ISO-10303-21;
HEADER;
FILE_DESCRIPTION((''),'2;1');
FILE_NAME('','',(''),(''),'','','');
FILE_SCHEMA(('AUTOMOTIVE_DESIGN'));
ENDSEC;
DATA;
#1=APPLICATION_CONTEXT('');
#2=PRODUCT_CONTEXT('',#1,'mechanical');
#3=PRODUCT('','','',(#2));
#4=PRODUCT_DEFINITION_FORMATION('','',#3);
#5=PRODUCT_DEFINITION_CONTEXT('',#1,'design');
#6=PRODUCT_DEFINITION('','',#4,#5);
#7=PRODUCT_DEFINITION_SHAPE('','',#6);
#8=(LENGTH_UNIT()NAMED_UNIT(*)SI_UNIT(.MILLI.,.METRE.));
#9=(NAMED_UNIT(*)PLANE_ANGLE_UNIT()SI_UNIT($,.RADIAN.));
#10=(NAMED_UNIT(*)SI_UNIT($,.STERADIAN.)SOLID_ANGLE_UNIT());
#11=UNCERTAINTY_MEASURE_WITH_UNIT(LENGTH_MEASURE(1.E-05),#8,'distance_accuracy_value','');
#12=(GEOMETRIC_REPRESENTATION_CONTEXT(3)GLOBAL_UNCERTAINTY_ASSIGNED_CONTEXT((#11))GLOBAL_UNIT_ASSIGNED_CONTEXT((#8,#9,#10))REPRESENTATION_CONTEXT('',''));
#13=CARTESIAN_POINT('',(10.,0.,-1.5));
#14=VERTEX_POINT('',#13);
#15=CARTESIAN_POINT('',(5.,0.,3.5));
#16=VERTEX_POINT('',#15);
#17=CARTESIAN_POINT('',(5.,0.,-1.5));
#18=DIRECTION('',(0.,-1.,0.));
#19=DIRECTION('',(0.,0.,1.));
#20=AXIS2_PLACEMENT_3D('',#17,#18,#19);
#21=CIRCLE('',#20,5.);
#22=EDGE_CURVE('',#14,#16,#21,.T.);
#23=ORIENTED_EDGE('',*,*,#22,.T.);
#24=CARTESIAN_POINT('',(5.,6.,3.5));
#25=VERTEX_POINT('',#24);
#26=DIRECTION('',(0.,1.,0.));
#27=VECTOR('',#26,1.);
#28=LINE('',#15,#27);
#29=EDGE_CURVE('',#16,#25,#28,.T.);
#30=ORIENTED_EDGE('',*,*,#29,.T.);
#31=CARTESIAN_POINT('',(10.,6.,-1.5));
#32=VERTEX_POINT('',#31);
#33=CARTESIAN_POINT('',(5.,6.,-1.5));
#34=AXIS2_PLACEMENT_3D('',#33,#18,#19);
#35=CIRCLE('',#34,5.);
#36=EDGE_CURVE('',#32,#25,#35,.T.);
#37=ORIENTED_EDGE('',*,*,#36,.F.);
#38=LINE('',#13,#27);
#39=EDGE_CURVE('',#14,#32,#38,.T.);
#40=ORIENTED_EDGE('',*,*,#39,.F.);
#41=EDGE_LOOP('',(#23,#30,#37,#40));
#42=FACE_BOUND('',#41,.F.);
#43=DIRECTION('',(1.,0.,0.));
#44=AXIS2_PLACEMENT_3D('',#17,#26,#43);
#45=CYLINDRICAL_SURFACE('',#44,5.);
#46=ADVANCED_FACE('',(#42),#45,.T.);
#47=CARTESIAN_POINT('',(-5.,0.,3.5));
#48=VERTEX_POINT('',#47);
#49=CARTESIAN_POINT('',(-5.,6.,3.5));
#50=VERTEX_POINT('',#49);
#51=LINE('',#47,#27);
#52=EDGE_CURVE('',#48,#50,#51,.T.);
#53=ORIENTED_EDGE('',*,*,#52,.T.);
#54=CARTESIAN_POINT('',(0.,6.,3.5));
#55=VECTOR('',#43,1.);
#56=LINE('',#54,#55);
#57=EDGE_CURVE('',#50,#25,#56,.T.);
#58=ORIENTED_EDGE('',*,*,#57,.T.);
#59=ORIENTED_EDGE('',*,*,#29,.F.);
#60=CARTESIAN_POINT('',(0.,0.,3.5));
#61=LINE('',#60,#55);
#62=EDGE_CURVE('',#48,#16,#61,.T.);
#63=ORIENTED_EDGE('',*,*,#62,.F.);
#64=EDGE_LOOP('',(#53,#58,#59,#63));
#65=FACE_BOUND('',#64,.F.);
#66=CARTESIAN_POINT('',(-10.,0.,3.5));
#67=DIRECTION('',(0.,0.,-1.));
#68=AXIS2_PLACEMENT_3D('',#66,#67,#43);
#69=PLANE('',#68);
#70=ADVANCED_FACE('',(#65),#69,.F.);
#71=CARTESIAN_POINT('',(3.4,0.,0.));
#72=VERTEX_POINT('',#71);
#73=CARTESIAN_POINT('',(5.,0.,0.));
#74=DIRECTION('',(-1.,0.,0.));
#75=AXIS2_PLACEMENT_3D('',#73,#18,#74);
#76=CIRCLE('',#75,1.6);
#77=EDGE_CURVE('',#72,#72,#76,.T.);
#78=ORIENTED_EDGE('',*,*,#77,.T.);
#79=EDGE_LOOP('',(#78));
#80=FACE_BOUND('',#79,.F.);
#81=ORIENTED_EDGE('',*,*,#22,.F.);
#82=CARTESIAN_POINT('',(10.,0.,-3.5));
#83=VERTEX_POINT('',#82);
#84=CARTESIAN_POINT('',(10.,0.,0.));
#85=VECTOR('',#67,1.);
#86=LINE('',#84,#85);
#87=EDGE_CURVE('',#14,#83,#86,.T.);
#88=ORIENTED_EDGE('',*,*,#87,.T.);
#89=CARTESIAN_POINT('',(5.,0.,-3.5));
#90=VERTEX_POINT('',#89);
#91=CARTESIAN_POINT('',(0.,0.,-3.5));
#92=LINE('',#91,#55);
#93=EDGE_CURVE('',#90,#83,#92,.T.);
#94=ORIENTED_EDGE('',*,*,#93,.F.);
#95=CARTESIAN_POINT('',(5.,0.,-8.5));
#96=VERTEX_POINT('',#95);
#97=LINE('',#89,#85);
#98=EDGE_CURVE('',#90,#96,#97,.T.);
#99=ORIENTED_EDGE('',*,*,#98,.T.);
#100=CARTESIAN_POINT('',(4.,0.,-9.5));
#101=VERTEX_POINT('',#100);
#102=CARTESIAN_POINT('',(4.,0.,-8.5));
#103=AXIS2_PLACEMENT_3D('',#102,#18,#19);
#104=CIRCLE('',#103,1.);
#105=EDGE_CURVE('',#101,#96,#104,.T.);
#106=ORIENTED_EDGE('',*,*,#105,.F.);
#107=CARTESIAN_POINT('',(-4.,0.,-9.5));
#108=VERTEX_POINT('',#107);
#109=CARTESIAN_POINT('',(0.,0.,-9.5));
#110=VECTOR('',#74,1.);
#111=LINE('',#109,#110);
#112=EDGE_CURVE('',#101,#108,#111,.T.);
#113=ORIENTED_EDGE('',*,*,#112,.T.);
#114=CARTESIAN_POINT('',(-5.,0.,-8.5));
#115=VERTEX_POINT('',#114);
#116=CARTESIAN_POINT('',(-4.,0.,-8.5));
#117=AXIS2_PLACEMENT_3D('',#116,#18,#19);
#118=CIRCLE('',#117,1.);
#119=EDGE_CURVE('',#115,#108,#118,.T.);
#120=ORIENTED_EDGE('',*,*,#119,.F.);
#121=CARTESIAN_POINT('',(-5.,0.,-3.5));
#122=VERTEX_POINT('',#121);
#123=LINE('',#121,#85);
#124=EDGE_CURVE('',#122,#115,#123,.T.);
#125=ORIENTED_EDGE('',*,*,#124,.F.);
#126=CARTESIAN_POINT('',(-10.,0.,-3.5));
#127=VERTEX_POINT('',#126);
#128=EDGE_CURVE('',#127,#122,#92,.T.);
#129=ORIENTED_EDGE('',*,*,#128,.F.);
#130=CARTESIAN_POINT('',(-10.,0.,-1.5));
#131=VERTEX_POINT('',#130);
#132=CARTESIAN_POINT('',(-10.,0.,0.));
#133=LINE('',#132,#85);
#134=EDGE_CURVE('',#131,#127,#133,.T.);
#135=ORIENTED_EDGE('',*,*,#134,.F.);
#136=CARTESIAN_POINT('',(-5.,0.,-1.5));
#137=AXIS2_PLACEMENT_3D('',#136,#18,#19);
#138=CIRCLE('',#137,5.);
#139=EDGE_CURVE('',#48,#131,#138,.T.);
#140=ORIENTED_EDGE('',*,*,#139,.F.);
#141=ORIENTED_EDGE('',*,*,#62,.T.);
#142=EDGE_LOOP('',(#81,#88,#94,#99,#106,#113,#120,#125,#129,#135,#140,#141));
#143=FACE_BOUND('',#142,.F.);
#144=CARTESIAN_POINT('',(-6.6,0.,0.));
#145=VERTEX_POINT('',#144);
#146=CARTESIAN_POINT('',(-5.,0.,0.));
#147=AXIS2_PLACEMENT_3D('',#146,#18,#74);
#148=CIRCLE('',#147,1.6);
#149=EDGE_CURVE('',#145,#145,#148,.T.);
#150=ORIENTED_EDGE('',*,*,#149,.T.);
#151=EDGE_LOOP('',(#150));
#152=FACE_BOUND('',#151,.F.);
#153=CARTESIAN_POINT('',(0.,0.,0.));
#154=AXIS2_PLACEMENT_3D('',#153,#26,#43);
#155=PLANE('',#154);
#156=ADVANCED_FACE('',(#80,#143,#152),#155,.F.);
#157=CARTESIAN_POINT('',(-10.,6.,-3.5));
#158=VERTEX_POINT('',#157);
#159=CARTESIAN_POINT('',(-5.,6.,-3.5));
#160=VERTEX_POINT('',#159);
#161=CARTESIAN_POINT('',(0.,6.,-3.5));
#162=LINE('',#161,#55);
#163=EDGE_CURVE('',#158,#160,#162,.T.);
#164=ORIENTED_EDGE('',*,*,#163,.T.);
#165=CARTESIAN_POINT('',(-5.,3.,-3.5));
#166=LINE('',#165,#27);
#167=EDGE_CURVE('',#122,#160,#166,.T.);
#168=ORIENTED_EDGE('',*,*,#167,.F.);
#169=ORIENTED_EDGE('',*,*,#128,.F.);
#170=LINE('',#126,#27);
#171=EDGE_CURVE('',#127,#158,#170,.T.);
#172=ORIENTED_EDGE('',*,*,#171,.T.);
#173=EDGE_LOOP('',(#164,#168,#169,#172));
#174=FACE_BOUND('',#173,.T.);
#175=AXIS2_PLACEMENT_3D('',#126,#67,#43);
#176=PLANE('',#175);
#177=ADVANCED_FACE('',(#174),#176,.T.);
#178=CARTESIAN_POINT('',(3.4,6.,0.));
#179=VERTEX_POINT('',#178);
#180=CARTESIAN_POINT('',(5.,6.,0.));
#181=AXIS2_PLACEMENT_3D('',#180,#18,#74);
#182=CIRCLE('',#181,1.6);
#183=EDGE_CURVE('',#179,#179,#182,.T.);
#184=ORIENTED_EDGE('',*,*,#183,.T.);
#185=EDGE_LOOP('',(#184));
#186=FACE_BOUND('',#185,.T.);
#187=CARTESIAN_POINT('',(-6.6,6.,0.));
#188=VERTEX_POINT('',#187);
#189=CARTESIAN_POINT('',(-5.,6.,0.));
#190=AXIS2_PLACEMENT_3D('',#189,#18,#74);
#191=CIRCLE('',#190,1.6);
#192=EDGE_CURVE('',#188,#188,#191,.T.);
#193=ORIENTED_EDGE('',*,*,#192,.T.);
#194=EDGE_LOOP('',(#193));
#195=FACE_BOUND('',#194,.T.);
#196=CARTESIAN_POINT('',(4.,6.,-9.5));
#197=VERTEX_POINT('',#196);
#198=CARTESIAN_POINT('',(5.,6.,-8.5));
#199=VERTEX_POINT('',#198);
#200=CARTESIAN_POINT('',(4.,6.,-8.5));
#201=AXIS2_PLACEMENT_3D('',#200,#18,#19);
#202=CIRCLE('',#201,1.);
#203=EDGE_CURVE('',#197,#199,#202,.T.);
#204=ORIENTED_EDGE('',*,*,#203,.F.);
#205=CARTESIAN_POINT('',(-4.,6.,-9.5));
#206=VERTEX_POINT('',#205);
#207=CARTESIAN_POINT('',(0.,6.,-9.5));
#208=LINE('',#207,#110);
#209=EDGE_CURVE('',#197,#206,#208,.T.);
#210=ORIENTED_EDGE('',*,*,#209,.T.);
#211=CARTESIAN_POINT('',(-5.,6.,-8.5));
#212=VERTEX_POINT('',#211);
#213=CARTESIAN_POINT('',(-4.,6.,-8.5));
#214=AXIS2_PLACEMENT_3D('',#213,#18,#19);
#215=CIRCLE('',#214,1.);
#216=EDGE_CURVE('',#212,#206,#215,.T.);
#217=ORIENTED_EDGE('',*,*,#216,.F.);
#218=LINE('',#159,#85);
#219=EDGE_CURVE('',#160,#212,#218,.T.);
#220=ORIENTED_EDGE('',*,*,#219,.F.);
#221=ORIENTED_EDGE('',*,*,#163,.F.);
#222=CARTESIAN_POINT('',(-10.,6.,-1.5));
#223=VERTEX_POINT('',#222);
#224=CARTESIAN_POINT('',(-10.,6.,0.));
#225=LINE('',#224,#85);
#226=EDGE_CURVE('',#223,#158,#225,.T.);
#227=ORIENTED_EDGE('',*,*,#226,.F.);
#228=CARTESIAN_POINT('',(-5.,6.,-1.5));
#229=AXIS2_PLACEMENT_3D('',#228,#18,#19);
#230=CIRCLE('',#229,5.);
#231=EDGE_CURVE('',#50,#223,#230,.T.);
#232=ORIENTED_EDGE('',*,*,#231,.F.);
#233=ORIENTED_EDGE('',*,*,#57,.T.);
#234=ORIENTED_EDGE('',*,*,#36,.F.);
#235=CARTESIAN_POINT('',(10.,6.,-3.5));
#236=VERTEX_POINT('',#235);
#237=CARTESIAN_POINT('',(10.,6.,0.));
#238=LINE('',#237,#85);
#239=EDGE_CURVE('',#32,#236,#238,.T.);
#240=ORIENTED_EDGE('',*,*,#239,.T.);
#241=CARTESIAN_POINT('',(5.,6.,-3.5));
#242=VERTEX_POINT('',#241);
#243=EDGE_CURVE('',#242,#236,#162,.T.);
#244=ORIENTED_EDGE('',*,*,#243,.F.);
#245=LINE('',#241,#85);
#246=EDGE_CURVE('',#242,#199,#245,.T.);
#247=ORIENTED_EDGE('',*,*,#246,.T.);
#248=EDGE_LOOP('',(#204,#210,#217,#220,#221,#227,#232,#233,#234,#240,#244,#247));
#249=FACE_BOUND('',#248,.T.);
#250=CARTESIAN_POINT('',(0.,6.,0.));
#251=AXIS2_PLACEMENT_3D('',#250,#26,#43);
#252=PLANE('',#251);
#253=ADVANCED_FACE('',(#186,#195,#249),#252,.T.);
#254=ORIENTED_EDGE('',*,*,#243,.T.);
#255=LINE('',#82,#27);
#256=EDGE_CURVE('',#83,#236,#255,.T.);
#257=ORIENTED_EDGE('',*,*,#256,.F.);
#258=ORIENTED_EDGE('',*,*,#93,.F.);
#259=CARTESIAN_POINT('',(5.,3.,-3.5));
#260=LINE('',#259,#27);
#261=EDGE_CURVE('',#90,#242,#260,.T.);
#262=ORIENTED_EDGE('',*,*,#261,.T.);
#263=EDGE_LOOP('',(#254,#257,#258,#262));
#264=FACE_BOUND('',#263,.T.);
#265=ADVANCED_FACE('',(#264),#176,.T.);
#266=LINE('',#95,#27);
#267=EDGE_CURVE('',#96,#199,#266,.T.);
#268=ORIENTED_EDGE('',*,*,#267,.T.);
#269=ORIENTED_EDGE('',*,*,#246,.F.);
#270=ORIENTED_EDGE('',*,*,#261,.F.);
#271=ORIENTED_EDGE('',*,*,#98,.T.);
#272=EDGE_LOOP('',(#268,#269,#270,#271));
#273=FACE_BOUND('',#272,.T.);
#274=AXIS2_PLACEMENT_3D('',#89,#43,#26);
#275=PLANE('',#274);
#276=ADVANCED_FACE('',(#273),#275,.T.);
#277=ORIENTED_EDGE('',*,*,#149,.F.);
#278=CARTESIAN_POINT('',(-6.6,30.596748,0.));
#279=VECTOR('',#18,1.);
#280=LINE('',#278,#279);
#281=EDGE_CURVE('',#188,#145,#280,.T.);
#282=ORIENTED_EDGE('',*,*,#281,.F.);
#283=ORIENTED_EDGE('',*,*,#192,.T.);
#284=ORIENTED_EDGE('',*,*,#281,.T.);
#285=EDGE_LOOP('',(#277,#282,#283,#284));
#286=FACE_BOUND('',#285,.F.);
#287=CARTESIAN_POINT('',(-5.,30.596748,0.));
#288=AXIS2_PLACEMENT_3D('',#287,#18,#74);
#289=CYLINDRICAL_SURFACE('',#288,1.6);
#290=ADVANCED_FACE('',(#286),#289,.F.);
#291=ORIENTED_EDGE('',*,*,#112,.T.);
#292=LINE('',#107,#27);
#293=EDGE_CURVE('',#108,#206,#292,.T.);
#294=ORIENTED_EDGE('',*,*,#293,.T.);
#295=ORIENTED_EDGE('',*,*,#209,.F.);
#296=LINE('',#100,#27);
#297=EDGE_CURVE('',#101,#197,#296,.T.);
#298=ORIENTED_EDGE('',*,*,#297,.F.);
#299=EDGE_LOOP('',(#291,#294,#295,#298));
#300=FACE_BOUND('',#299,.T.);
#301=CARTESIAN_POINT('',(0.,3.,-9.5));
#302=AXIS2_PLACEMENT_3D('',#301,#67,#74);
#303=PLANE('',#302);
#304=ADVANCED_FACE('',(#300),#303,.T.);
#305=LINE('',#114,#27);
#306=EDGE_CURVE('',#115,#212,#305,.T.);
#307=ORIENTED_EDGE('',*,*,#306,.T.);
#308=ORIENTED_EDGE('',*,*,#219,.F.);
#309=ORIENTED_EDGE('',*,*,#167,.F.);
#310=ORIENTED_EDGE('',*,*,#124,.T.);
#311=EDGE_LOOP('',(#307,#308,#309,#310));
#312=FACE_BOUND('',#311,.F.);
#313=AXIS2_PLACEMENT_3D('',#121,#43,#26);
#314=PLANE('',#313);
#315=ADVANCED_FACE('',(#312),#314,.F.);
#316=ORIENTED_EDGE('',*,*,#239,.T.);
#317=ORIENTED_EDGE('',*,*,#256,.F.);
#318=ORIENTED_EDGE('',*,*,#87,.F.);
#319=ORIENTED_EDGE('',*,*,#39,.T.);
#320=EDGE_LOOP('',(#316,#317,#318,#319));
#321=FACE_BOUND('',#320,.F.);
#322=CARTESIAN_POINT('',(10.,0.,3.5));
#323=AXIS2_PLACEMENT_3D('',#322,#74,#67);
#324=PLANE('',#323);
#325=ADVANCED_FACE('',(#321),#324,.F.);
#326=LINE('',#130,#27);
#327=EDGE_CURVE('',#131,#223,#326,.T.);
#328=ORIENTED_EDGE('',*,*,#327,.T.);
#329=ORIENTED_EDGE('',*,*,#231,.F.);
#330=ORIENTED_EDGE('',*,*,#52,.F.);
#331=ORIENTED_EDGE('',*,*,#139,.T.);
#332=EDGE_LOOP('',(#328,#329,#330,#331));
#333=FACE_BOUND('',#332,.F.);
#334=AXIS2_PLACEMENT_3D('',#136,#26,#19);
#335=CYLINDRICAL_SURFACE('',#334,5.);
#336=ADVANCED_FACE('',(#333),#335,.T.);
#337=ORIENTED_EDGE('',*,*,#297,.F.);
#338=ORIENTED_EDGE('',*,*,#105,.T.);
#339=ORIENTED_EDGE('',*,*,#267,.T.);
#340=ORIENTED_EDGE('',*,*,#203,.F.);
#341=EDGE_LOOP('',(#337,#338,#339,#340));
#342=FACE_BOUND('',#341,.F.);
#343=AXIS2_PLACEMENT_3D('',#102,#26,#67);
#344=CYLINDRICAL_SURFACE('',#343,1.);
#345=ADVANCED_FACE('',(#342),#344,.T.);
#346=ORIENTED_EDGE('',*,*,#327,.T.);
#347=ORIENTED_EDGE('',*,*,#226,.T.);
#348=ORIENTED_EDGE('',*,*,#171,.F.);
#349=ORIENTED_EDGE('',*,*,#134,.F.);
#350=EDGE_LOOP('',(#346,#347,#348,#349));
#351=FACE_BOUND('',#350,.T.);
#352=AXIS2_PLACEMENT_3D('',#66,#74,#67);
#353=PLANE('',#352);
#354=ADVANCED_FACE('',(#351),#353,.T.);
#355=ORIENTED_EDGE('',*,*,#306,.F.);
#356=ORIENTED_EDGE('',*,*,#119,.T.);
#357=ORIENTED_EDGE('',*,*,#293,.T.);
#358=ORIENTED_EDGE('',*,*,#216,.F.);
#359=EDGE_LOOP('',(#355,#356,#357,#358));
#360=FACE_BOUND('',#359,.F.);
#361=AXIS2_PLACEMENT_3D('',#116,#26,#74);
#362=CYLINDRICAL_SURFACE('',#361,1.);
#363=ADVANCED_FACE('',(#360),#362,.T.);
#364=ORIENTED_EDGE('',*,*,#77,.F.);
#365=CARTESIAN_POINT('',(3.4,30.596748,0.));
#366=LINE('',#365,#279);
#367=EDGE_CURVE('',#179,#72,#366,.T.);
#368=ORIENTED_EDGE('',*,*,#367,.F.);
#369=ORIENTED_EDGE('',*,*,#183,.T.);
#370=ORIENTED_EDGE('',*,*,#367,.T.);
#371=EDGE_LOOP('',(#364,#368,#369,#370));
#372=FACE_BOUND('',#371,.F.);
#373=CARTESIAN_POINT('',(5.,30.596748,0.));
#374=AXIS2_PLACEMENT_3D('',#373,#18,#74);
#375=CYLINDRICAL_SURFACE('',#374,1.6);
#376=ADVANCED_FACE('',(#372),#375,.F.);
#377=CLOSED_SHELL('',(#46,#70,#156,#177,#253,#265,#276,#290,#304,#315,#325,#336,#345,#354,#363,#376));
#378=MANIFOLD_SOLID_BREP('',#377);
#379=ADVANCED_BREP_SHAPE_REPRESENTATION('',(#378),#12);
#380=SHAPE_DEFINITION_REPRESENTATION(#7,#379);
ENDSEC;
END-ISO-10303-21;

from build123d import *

# Parameters (mm, degrees)
SKETCH1_W             = 20
SKETCH1_H             = 7
BOSS_EXTRUDE1_DEPTH   = 6
SKETCH234_W           = 10
SKETCH234_H           = 6
BOSS_EXTRUDE234_DEPTH = 6
FILLET134_R           = 1
M3_CLEARANCE_HOLE1_D  = 3.2
FILLET135_R           = 5


with BuildPart() as part:
    # Sketch1 → Boss-Extrude1 (new body)
    with BuildSketch(Plane(origin=(0, 0, 0), x_dir=(1, 0, 0), z_dir=(0, 1, 0))):
        Rectangle(SKETCH1_W, SKETCH1_H)
    extrude(amount=BOSS_EXTRUDE1_DEPTH)

    # Sketch234 → Boss-Extrude234 (add)
    with BuildSketch(Plane(origin=(0.767778608, 0, -3.5), x_dir=(-1, 0, 0), z_dir=(0, 0, -1))):
        with Locations((0.767778608, 3)):
            Rectangle(SKETCH234_W, SKETCH234_H)
    extrude(amount=BOSS_EXTRUDE234_DEPTH)

    # Fillet134
    fillet134_edges = [part.edges().sort_by_distance(p)[0] for p in [
        (5, 3, -9.5),
        (-5, 3, -9.5),
    ]]
    fillet(fillet134_edges, radius=FILLET134_R)

    # M3 Clearance Hole1 (through all)
    with Locations(Plane(origin=(0, 6, 0), x_dir=(1, 0, 0), z_dir=(0, 1, 0))):
        with Locations((-5, 0), (5, 0)):
            Hole(M3_CLEARANCE_HOLE1_D / 2)

    # Fillet135
    fillet135_edges = [part.edges().sort_by_distance(p)[0] for p in [
        (10, 3, 3.5),
        (-10, 3, 3.5),
    ]]
    fillet(fillet135_edges, radius=FILLET135_R)


solid = part.part
